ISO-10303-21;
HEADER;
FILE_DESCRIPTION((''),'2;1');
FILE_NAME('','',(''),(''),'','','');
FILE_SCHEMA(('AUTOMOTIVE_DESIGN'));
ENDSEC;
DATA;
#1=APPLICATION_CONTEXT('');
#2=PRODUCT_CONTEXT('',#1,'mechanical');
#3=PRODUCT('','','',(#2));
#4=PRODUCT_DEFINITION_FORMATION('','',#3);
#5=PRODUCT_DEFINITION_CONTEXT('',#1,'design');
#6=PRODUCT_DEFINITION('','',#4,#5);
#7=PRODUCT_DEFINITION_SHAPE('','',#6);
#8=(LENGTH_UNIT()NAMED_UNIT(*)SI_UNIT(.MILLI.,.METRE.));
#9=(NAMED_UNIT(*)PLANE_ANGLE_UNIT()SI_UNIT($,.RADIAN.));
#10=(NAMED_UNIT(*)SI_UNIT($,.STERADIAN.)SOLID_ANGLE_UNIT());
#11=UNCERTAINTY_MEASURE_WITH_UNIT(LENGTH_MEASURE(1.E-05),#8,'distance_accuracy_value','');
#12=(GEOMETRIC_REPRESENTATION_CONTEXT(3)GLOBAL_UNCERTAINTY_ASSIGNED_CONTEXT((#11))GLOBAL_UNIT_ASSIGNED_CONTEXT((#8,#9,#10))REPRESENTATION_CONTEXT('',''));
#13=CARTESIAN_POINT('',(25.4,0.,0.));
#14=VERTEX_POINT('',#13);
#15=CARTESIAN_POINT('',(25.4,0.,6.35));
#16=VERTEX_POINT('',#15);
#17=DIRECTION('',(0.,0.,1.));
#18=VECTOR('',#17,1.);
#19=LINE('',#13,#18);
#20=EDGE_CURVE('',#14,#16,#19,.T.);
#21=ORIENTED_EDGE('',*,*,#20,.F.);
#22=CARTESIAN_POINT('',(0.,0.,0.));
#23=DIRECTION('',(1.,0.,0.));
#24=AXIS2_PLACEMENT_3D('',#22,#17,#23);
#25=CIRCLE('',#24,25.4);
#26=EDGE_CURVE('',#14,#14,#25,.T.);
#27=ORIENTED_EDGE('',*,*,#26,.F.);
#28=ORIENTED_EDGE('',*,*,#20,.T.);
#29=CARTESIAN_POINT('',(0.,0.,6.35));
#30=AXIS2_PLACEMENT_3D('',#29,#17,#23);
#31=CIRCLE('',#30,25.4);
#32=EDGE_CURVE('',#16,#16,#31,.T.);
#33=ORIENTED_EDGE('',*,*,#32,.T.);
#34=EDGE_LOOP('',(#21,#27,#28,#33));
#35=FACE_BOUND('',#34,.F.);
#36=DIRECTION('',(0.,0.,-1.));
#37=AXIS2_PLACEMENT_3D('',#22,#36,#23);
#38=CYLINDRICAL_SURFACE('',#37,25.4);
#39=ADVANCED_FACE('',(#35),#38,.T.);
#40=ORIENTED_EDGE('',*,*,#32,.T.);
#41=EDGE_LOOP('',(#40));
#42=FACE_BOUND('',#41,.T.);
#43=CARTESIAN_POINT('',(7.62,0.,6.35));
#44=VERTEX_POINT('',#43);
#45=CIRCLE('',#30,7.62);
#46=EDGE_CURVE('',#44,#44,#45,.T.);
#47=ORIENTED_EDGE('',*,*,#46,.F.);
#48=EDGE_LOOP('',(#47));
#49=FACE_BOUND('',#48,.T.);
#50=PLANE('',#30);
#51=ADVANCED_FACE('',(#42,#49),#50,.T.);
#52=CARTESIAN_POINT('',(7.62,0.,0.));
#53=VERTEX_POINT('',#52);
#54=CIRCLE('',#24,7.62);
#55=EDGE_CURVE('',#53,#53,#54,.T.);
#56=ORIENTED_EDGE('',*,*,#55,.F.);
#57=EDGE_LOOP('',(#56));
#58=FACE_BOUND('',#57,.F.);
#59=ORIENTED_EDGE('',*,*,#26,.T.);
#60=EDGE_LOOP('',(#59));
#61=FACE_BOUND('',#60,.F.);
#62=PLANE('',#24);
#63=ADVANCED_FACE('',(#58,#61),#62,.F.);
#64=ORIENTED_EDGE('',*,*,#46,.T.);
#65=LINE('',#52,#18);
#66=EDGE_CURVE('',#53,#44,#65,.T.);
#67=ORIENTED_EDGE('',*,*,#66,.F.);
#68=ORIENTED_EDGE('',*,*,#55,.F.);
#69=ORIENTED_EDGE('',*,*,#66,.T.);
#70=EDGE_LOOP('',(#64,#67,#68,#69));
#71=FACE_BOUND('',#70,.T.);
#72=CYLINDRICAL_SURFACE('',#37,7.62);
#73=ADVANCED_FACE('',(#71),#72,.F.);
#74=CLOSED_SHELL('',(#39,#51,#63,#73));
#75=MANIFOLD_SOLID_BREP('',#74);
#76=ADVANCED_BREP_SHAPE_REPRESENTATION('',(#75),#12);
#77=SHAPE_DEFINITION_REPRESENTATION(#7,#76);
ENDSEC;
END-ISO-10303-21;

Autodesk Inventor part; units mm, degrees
ref_plane "YZ Plane" through (0, 0, 0) normal (1, 0, 0) x (0, 1, 0)
ref_plane "XZ Plane" through (0, 0, 0) normal (0, 1, 0) x (-1, 0, 0)
ref_plane "XY Plane" through (0, 0, 0) normal (0, 0, 1) x (1, 0, 0)
sketch "Sketch1" plane through (0, 0, 0) normal (0, 0, 1) x (1, 0, 0)
  circle A0 centre (0, 0) radius 7.62
  circle A1 centre (0, 0) radius 25.4
  dimension "d0" = 15.24
  dimension "d1" = 50.8
extrude "Extrusion1" add sketch "Sketch1" along normal blind 6.35
properties part number "OutSpacer2"
